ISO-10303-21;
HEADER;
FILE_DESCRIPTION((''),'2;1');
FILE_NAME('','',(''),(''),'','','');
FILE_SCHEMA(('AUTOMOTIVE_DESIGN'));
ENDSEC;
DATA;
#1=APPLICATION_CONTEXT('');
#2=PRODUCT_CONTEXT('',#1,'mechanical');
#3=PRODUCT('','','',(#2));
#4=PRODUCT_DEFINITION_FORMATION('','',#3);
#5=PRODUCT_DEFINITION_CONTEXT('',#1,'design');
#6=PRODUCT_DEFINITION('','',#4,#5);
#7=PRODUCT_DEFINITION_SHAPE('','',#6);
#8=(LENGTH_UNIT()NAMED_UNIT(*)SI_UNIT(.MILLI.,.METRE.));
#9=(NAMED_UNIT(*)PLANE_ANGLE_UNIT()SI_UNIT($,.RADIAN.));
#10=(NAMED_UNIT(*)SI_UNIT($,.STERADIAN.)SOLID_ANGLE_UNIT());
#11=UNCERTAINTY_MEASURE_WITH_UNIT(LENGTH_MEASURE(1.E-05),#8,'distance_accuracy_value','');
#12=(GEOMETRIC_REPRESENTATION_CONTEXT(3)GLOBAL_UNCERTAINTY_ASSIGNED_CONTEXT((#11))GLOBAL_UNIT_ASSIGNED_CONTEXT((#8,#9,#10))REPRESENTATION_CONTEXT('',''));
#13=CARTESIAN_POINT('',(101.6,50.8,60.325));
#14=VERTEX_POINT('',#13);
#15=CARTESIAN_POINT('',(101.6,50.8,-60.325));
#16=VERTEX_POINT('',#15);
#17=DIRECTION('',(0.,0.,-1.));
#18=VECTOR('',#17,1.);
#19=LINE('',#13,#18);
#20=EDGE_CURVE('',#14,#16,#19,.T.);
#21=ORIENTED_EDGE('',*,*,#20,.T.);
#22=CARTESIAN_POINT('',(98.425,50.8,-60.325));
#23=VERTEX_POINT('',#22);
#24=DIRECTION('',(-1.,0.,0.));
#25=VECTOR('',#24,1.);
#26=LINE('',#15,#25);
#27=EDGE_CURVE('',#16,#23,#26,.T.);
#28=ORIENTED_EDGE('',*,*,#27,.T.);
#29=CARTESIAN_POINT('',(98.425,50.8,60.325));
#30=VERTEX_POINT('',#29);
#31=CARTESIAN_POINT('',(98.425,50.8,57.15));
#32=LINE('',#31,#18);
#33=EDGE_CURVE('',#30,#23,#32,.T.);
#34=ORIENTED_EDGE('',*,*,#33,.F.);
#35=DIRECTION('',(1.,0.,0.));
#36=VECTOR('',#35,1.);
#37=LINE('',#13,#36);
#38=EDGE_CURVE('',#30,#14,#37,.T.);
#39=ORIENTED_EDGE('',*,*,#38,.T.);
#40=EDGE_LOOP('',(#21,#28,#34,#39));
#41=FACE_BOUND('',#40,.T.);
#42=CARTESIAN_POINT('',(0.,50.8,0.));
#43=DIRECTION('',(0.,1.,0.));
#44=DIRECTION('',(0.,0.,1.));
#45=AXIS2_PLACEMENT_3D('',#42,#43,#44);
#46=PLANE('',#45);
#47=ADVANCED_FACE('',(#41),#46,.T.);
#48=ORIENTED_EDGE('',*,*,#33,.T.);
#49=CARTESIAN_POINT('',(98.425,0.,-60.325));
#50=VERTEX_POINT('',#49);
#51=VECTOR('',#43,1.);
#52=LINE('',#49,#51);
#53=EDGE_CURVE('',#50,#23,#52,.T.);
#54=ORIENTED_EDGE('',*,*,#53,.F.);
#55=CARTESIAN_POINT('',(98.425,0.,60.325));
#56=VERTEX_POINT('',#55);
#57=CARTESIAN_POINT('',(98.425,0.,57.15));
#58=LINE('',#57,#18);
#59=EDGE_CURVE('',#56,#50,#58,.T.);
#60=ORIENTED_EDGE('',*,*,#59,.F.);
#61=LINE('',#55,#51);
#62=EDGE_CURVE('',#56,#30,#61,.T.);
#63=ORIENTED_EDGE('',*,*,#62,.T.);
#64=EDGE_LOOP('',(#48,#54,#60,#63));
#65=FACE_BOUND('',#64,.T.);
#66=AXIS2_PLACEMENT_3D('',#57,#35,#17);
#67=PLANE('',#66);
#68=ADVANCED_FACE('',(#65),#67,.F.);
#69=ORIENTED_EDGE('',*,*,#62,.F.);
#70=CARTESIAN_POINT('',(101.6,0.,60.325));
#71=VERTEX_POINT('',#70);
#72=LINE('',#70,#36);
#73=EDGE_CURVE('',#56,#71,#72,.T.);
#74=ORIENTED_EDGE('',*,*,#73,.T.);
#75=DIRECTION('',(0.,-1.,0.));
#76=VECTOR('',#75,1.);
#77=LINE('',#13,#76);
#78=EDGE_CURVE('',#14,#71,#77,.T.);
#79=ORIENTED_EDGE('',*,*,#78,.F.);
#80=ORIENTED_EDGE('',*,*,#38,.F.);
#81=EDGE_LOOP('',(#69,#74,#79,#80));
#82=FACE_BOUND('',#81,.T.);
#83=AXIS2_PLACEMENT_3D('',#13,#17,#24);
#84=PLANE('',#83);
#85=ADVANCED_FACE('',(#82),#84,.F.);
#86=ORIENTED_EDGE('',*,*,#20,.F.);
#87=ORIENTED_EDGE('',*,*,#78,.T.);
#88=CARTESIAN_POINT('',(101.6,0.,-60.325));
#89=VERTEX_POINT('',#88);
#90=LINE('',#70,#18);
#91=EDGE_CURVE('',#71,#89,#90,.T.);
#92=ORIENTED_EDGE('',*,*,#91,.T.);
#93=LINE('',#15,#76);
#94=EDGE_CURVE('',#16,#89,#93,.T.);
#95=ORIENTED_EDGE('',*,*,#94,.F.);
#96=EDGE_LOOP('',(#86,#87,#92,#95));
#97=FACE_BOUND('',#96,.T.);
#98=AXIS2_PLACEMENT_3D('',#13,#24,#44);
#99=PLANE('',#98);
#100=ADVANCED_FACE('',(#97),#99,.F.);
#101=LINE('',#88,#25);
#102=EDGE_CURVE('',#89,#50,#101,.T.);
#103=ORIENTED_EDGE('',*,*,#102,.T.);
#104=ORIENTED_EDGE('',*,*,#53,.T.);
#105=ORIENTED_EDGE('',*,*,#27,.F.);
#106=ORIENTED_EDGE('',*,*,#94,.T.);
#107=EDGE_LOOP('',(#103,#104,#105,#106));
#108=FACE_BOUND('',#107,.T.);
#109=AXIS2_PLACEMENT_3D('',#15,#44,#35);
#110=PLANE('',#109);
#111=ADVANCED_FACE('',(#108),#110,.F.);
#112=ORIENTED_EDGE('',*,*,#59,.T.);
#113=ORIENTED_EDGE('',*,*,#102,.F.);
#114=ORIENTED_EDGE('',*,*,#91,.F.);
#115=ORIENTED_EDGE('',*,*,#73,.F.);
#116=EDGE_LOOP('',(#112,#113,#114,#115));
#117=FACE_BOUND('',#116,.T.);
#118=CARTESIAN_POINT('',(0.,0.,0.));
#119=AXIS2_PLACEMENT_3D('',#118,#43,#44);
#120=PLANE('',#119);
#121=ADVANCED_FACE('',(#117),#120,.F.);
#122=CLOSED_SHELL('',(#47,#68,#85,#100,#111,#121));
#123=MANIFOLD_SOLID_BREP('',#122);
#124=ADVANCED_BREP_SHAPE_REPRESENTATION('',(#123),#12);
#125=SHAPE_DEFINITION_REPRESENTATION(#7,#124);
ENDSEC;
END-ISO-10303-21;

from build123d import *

# Parameters (mm, degrees)
SKETCH1_W           = 203.2
SKETCH1_H           = 120.65
BOSS_EXTRUDE1_DEPTH = 50.8
SKETCH2_W           = 196.85
SKETCH2_H           = 114.3
CUT_EXTRUDE1_DEPTH  = 51.8
SKETCH4_W           = 203.2
SKETCH4_H           = 120.65
SKETCH4_W_2         = 196.85
SKETCH4_H_2         = 114.3
BOSS_EXTRUDE2_DEPTH = 6.35
CUT_EXTRUDE5_DEPTH  = 121.65
CUT_EXTRUDE6_REACH  = 205.2
CUT_EXTRUDE7_REACH  = 205.2
SKETCH13_R          = 12.55395
SKETCH14_W          = 200.025
SKETCH14_H          = 120.65
CUT_EXTRUDE8_DEPTH  = 51.8
BOSS_EXTRUDE3_DEPTH = 3.175


with BuildPart() as part:
    # Sketch1 → Boss-Extrude1 (new body)
    with BuildSketch(Plane(origin=(0, 0, 0), x_dir=(1, 0, 0), z_dir=(0, 1, 0))):
        Rectangle(SKETCH1_W, SKETCH1_H)
    extrude(amount=BOSS_EXTRUDE1_DEPTH)

    # Sketch2 → Cut-Extrude1 (cut, through all)
    with BuildSketch(Plane(origin=(0, 50.8, 0), x_dir=(1, 0, 0), z_dir=(0, 1, 0))):
        Rectangle(SKETCH2_W, SKETCH2_H)
    extrude(amount=-CUT_EXTRUDE1_DEPTH, mode=Mode.SUBTRACT)

    # Sketch4 → Boss-Extrude2 (add)
    with BuildSketch(Plane(origin=(0, 50.8, 0), x_dir=(1, 0, 0), z_dir=(0, 1, 0))):
        Rectangle(SKETCH4_W, SKETCH4_H)
        Rectangle(SKETCH4_W_2, SKETCH4_H_2, mode=Mode.SUBTRACT)
    extrude(amount=-BOSS_EXTRUDE2_DEPTH)

    # Sketch10 → Cut-Extrude5 (cut, through all)
    with BuildSketch(Plane.XY.offset(60.325)):
        with BuildLine():
            ThreePointArc((-65.9511, 22.225), (-81.206975571, 31.167602912), (-81.556705839, 13.4874))
            Line((-81.556705839, 13.4874), (-70.843294161, 13.4874))
            ThreePointArc((-70.843294161, 13.4874), (-67.257397088, 17.218024429), (-65.9511, 22.225))
        make_face()
        with BuildLine():
            ThreePointArc((-15.1511, 22.225), (-30.406975571, 31.167602912), (-30.756705839, 13.4874))
            Line((-30.756705839, 13.4874), (-20.043294161, 13.4874))
            ThreePointArc((-20.043294161, 13.4874), (-16.457397088, 17.218024429), (-15.1511, 22.225))
        make_face()
        with BuildLine():
            ThreePointArc((35.6489, 22.225), (20.393024429, 31.167602912), (20.043294161, 13.4874))
            Line((20.043294161, 13.4874), (30.756705839, 13.4874))
            ThreePointArc((30.756705839, 13.4874), (34.342602912, 17.218024429), (35.6489, 22.225))
        make_face()
        with BuildLine():
            Line((70.843294161, 13.4874), (81.556705839, 13.4874))
            ThreePointArc((81.556705839, 13.4874), (85.142602912, 17.218024429), (86.4489, 22.225))
            ThreePointArc((86.4489, 22.225), (71.193024429, 31.167602912), (70.843294161, 13.4874))
        make_face()
    extrude(amount=-CUT_EXTRUDE5_DEPTH, mode=Mode.SUBTRACT)

    # Sketch12 → Cut-Extrude6 (cut, up to next)
    with BuildSketch(Plane(origin=(101.6, 0, 0), x_dir=(0, 0, -1), z_dir=(1, 0, 0)), mode=Mode.PRIVATE) as cut_extrude6_sk1:
        with BuildLine():
            ThreePointArc((-20.043294161, 19.8374), (-25.4, 38.8239), (-30.756705839, 19.8374))
            Line((-30.756705839, 19.8374), (-20.043294161, 19.8374))
        make_face()
    cut_extrude6_tool1 = extrude(cut_extrude6_sk1.sketch, amount=-CUT_EXTRUDE6_REACH, mode=Mode.PRIVATE) & part.part
    add(cut_extrude6_tool1.solids().sort_by_distance((101.6, 28.896198, 25.4))[0], mode=Mode.SUBTRACT)
    # Sketch12 → Cut-Extrude6 (cut, up to next)
    with BuildSketch(Plane(origin=(101.6, 0, 0), x_dir=(0, 0, -1), z_dir=(1, 0, 0)), mode=Mode.PRIVATE) as cut_extrude6_sk2:
        with BuildLine():
            ThreePointArc((30.756705839, 19.8374), (25.4, 38.8239), (20.043294161, 19.8374))
            Line((20.043294161, 19.8374), (30.756705839, 19.8374))
        make_face()
    cut_extrude6_tool2 = extrude(cut_extrude6_sk2.sketch, amount=-CUT_EXTRUDE6_REACH, mode=Mode.PRIVATE) & part.part
    add(cut_extrude6_tool2.solids().sort_by_distance((101.6, 28.896198, -25.4))[0], mode=Mode.SUBTRACT)

    # Sketch13 → Cut-Extrude7 (cut, up to next)
    with BuildSketch(Plane.ZY.offset(101.6), mode=Mode.PRIVATE) as cut_extrude7_sk1:
        with Locations((15.875, 28.575)):
            Circle(SKETCH13_R)
    cut_extrude7_tool1 = extrude(cut_extrude7_sk1.sketch, amount=-CUT_EXTRUDE7_REACH, mode=Mode.PRIVATE) & part.part
    add(cut_extrude7_tool1.solids().sort_by_distance((-101.6, 28.575, 15.875))[0], mode=Mode.SUBTRACT)

    # Sketch14 → Cut-Extrude8 (cut, through all)
    with BuildSketch(Plane(origin=(0, 50.8, 0), x_dir=(1, 0, 0), z_dir=(0, 1, 0))):
        with Locations((-1.5875, 0)):
            Rectangle(SKETCH14_W, SKETCH14_H)
    extrude(amount=-CUT_EXTRUDE8_DEPTH, mode=Mode.SUBTRACT)

    # Sketch15 → Boss-Extrude3 (add)
    with BuildSketch(Plane(origin=(101.6, 0, 0), x_dir=(0, 0, -1), z_dir=(1, 0, 0))):
        with BuildLine():
            Line((20.043294161, 19.8374), (30.756705839, 19.8374))
            ThreePointArc((30.756705839, 19.8374), (25.4, 38.8239), (20.043294161, 19.8374))
        make_face()
        with BuildLine():
            Line((-30.756705839, 19.8374), (-20.043294161, 19.8374))
            ThreePointArc((-20.043294161, 19.8374), (-25.4, 38.8239), (-30.756705839, 19.8374))
        make_face()
    extrude(amount=-BOSS_EXTRUDE3_DEPTH)


solid = part.part
